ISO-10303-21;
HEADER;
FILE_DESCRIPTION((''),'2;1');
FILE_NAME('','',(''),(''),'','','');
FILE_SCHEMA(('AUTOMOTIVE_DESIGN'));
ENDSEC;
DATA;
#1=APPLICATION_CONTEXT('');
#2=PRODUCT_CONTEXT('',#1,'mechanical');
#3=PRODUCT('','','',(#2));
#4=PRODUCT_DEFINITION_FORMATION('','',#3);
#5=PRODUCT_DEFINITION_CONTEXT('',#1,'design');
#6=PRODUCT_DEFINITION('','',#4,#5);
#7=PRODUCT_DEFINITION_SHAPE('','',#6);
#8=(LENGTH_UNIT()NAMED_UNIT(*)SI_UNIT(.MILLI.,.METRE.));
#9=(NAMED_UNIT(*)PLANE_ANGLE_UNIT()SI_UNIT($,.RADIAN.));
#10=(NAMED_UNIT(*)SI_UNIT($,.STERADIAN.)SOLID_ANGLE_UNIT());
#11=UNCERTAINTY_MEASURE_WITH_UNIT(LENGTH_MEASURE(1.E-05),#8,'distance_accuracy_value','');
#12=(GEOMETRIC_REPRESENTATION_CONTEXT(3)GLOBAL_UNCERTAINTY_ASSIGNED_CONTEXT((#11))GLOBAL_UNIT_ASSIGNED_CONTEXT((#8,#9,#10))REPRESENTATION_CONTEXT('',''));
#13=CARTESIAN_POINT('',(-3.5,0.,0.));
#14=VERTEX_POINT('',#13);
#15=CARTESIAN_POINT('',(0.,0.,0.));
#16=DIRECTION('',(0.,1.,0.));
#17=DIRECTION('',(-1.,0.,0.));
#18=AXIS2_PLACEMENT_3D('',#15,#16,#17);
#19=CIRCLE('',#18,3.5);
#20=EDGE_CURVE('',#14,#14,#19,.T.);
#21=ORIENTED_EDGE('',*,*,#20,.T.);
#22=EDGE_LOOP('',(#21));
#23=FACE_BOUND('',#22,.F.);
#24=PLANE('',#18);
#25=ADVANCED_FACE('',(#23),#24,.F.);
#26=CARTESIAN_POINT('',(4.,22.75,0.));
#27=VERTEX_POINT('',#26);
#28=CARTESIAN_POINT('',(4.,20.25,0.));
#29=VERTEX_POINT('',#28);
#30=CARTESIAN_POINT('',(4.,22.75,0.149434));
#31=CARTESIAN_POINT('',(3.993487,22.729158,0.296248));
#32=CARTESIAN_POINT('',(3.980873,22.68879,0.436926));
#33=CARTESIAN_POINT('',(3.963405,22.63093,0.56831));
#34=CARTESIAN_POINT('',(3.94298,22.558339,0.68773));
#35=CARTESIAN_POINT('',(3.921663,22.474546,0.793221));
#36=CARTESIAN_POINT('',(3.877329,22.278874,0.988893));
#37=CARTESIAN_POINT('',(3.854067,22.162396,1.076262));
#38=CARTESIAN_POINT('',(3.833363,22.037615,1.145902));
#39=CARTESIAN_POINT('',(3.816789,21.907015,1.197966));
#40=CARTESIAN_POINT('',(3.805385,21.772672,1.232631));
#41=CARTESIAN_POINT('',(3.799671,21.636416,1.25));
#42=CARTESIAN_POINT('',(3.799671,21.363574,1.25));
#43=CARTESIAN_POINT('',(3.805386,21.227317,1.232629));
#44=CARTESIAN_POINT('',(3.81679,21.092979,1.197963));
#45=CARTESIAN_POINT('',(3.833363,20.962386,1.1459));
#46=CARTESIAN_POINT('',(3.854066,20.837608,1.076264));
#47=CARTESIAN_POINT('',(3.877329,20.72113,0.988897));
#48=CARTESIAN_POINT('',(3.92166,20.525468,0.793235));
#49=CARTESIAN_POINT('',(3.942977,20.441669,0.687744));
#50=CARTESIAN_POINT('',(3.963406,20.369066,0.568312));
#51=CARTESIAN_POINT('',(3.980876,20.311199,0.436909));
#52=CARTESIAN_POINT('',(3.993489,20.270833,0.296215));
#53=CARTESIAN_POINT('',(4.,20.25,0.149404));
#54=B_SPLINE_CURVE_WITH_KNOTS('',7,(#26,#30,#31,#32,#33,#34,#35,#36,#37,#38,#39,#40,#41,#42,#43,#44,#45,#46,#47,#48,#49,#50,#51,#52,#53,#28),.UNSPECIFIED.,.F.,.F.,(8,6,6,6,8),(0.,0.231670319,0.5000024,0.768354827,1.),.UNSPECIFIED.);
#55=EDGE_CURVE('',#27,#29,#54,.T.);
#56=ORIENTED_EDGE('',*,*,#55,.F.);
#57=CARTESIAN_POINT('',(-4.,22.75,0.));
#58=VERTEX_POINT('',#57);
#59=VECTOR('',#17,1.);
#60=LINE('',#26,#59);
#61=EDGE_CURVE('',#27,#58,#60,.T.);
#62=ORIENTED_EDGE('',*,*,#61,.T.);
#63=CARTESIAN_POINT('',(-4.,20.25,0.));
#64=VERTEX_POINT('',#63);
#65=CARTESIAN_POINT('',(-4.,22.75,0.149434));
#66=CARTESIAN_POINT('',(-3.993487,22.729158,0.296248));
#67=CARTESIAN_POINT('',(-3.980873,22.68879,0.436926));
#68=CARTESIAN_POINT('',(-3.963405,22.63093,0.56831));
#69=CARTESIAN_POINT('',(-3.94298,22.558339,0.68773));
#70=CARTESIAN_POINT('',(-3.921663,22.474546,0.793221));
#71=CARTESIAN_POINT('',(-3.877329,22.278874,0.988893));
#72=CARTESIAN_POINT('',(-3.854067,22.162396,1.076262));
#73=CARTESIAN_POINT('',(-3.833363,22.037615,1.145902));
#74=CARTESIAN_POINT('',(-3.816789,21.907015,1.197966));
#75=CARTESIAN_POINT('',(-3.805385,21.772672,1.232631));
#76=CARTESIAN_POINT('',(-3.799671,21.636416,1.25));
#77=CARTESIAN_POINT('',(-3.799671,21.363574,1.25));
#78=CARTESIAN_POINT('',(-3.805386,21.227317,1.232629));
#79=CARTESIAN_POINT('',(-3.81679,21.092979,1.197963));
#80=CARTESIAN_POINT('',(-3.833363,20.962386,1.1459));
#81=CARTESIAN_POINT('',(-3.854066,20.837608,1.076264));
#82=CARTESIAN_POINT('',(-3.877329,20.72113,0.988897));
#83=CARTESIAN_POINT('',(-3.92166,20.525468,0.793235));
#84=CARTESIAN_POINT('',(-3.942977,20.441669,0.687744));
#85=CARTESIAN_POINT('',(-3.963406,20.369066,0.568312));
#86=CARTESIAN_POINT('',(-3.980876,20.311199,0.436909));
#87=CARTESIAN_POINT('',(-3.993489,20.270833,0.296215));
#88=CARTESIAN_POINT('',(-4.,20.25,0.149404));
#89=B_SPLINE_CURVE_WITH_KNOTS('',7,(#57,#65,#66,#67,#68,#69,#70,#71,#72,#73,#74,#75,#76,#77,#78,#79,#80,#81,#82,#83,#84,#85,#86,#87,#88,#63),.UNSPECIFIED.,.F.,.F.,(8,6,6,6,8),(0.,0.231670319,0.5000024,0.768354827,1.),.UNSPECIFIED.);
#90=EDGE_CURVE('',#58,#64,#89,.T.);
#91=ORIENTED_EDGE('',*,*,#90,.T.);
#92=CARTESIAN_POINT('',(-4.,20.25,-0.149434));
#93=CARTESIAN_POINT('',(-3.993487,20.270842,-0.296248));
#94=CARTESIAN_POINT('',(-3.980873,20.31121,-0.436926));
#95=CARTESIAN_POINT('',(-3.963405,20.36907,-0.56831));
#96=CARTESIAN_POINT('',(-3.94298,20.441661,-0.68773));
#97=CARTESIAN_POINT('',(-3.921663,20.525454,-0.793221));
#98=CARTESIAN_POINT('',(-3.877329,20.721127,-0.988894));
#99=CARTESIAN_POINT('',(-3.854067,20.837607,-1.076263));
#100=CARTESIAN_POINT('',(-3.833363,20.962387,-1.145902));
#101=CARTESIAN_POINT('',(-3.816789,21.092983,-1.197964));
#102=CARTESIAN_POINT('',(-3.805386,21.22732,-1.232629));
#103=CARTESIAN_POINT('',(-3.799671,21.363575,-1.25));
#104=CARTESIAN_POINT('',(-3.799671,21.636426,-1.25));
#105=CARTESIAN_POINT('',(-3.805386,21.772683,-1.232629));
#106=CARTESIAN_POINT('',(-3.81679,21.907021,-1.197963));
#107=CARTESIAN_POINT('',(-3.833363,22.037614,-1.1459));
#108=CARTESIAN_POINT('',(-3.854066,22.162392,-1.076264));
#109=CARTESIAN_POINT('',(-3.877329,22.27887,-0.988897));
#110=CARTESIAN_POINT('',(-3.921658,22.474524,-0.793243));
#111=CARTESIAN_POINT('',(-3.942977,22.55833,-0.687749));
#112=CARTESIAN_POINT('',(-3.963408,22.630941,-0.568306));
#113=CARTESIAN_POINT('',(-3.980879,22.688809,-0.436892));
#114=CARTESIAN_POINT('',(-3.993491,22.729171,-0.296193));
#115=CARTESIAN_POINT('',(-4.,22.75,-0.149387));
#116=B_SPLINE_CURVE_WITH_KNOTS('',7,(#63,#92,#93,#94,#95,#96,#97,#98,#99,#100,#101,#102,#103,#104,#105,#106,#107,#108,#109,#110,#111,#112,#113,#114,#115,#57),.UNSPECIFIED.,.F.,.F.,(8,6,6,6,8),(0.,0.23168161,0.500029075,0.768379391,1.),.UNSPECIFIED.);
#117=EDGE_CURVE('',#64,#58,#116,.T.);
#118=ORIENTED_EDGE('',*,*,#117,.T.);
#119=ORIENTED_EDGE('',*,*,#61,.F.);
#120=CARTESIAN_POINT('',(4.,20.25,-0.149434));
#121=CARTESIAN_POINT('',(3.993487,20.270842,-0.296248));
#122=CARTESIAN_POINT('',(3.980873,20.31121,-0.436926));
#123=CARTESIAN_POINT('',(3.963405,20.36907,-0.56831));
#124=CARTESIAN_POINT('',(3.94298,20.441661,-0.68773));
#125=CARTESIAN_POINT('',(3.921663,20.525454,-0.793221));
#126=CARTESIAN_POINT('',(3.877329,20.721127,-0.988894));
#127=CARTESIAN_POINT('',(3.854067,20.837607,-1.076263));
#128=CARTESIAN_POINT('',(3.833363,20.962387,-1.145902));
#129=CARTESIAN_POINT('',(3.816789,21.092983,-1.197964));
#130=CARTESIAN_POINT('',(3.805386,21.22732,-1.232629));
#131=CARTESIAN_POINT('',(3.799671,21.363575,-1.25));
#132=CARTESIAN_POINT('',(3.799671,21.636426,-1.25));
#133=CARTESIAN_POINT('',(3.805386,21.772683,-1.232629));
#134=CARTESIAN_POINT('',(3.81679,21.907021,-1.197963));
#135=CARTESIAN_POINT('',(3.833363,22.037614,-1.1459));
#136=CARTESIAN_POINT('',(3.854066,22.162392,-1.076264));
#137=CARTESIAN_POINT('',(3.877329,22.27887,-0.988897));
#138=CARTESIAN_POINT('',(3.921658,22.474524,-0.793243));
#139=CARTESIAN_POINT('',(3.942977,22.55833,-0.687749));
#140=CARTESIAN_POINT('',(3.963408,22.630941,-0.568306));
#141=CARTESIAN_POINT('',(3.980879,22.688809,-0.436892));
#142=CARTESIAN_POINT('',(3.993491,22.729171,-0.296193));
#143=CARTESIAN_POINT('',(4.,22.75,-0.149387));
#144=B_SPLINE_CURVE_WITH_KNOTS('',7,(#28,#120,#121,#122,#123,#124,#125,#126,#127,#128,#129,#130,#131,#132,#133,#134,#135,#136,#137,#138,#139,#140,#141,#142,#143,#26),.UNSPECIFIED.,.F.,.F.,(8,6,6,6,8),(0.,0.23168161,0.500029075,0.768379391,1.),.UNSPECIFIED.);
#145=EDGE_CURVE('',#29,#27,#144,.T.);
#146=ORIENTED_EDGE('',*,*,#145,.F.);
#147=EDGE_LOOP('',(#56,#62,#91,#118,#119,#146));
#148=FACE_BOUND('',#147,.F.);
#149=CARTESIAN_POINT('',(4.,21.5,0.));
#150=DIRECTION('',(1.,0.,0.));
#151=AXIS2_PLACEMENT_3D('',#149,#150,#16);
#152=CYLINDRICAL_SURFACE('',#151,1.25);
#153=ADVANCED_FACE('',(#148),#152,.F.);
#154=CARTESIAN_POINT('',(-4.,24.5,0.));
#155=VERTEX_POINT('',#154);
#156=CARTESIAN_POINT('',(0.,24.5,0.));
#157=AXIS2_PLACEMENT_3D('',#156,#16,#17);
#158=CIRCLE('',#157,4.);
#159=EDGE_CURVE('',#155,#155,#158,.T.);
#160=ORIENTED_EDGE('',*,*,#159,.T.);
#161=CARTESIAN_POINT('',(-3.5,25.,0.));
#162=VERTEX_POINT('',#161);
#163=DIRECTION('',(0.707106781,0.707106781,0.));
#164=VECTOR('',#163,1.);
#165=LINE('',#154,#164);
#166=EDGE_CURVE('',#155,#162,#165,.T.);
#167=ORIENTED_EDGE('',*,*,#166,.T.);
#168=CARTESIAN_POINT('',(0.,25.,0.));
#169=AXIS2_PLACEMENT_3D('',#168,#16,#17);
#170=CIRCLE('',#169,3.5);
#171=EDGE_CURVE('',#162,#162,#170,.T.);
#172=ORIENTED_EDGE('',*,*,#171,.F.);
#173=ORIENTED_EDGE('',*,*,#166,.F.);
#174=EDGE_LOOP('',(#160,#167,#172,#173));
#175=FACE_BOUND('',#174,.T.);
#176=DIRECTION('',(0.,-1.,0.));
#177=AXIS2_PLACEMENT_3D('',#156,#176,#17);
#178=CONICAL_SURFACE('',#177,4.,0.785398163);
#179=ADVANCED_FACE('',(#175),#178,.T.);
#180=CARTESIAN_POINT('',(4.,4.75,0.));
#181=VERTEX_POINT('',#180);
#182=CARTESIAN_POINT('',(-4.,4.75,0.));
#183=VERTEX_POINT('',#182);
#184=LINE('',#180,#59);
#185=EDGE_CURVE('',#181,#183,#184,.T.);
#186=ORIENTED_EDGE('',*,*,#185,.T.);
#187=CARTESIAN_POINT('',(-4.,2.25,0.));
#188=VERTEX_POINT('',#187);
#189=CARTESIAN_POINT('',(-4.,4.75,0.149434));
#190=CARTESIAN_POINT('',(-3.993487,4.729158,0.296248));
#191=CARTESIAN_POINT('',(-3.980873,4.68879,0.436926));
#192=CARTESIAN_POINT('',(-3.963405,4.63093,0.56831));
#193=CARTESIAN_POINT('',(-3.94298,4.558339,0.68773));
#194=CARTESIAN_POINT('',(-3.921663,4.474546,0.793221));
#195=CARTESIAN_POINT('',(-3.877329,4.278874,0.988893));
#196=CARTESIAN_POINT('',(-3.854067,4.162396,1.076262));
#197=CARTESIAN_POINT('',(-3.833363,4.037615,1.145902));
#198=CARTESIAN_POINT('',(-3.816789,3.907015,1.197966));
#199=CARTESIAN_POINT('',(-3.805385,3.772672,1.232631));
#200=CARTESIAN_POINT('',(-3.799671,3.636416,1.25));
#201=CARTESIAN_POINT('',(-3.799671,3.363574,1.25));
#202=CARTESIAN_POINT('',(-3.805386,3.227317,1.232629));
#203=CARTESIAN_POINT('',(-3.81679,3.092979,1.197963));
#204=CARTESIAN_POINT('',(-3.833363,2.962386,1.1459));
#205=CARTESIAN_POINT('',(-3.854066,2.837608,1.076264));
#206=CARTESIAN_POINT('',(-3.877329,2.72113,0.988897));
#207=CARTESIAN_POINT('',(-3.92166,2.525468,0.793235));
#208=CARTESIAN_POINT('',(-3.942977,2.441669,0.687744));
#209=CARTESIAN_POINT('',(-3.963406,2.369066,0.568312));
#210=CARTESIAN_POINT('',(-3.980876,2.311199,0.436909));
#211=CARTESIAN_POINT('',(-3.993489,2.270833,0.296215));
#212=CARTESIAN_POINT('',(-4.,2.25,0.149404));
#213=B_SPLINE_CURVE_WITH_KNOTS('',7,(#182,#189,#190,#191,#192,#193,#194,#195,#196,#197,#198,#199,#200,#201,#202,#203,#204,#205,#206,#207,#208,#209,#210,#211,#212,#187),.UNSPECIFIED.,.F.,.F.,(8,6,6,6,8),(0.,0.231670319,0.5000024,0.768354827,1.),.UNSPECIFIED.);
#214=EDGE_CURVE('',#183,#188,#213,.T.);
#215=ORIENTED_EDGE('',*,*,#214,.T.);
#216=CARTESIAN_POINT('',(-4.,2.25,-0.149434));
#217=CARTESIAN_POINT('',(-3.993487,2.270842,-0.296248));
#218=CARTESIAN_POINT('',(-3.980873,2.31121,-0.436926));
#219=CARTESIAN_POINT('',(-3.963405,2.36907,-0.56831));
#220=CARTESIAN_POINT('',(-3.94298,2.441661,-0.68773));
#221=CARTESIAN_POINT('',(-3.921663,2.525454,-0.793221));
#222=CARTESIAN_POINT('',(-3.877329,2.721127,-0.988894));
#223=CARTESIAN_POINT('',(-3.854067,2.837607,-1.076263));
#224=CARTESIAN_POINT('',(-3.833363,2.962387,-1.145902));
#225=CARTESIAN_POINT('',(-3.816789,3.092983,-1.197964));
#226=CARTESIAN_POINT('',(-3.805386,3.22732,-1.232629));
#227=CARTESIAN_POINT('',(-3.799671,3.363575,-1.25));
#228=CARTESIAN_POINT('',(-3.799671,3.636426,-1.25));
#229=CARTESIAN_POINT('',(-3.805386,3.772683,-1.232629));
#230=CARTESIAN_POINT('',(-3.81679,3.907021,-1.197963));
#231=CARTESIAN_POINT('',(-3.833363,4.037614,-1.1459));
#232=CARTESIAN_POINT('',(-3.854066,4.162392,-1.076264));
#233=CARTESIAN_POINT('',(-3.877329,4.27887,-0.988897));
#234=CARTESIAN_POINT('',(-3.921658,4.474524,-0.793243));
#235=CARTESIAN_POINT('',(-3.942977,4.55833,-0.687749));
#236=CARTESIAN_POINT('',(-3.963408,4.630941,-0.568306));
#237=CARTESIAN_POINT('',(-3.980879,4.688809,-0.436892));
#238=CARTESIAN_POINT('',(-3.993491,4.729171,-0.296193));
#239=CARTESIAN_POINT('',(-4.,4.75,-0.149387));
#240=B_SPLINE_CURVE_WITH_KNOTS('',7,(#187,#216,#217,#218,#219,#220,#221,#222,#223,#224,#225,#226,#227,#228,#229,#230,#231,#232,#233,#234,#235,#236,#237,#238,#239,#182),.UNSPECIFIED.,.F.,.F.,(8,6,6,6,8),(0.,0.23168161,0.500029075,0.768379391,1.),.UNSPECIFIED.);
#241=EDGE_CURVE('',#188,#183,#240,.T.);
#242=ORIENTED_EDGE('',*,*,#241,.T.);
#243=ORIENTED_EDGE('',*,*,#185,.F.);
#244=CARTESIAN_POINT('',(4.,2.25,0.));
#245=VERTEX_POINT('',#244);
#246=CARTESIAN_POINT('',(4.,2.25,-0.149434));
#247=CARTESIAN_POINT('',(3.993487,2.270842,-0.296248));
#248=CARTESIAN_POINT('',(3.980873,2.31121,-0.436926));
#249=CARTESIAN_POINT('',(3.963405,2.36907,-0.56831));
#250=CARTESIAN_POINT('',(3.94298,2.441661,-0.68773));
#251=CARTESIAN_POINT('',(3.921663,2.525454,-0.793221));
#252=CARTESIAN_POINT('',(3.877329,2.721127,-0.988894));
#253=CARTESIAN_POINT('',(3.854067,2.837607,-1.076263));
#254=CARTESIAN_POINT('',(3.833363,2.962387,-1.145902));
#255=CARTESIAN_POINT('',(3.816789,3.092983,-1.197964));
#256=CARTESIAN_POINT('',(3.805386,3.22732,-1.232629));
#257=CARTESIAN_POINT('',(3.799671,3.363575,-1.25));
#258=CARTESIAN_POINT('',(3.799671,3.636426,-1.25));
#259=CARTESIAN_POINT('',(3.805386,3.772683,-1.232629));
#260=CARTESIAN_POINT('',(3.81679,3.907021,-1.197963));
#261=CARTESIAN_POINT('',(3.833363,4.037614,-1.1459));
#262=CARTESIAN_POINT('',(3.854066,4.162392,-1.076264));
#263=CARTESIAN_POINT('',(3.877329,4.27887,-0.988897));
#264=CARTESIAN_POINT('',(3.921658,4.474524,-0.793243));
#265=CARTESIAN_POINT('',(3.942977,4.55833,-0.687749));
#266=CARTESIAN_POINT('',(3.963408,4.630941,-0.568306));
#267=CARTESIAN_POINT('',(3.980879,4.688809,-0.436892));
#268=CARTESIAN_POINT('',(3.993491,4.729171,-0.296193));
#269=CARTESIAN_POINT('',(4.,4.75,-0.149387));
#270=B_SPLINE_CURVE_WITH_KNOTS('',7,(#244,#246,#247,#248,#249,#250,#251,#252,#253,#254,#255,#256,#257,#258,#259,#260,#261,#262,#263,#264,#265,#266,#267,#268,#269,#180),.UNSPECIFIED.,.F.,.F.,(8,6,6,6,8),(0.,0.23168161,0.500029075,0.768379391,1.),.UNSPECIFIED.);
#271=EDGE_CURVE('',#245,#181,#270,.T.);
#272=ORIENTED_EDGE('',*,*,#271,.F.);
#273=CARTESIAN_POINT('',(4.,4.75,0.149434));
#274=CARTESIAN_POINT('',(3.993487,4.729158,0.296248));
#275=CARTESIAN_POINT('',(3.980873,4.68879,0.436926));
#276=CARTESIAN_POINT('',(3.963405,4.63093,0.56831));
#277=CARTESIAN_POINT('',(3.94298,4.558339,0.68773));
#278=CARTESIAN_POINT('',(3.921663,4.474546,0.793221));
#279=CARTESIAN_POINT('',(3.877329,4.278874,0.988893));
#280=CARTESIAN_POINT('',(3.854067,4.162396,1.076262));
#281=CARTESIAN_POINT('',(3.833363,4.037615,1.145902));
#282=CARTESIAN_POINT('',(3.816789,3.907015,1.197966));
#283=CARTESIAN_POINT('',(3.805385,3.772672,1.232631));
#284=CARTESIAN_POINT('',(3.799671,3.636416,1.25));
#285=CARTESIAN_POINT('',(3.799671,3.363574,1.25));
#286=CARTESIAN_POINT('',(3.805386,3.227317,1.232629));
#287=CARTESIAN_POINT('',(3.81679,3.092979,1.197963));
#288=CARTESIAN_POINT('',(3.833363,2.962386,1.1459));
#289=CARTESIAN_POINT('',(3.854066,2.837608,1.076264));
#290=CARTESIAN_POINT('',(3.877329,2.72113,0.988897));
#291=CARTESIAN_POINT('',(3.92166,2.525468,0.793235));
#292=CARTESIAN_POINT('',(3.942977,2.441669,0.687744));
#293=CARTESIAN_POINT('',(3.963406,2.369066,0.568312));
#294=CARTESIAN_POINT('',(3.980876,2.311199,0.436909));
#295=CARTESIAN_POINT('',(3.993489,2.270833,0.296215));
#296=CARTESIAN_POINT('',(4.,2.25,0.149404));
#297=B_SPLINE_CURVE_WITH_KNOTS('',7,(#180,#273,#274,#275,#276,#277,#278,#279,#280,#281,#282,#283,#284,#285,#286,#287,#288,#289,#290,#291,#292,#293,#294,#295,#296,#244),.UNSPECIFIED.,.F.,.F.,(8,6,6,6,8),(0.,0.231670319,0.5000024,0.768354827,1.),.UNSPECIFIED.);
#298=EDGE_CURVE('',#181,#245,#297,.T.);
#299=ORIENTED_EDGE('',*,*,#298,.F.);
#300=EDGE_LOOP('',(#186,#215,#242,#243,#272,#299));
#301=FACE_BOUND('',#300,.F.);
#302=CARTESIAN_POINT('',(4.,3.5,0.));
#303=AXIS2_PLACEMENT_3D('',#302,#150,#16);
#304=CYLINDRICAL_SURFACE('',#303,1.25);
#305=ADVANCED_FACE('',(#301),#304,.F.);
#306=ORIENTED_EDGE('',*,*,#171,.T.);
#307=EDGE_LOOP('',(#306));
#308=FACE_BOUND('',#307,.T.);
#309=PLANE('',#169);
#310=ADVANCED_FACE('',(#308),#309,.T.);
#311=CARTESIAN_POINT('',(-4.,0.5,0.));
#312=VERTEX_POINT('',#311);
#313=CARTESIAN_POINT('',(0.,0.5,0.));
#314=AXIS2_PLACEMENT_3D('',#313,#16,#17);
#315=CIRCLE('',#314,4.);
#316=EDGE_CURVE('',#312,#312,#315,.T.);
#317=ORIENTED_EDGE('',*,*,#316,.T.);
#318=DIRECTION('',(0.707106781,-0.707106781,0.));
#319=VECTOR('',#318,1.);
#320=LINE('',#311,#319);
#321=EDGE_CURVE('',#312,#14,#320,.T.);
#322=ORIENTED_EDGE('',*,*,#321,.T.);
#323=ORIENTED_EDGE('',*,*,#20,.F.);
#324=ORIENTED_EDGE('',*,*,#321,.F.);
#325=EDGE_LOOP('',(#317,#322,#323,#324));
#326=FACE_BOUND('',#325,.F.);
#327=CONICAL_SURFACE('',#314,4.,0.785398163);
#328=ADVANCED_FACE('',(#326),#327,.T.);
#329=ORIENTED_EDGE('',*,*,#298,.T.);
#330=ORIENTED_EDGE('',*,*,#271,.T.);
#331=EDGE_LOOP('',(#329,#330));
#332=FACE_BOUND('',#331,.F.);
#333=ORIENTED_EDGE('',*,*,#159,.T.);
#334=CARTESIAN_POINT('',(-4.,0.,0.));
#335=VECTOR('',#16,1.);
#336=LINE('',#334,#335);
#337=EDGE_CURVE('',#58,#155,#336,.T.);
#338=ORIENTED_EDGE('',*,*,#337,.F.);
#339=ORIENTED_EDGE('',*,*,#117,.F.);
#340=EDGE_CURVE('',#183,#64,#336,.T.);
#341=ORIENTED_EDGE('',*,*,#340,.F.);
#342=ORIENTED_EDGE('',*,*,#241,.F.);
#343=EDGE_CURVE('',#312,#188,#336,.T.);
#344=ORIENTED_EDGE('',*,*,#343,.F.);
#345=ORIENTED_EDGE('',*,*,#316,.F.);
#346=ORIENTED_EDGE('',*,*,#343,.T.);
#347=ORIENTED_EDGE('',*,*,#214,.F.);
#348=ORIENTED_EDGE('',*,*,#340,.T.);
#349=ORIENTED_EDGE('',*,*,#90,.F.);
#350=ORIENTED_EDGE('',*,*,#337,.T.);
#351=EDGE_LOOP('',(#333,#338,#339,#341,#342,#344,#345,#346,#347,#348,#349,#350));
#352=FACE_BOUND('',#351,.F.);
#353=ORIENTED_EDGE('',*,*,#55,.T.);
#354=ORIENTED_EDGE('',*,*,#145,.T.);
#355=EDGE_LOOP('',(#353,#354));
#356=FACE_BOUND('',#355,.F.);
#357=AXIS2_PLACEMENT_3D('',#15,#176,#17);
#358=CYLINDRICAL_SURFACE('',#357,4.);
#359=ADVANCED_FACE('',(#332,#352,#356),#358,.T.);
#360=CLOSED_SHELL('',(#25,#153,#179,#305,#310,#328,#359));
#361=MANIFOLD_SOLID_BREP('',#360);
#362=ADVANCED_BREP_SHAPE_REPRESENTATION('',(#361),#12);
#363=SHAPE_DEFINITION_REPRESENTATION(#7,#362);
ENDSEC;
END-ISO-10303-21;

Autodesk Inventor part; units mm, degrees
ref_plane "XZ Plane" through (0, 0, 0) normal (0, 1, 0) x (-1, 0, 0)
ref_plane "XY Plane" through (0, 0, 0) normal (0, 0, 1) x (1, 0, 0)
sketch "Sketch2" plane through (0, 0, 0) normal (0, 1, 0) x (-1, 0, 0)
  circle A0 centre (0, 0) radius 4
  dimension "d6" = 8
extrude "Extrusion1" add sketch "Sketch2" along normal blind 25
chamfer "Chamfer1" distance 0.5 angle 45 1 edges at (4, 25, 0)
chamfer "Chamfer2" distance 0.5 angle 45 1 edges at (4, 0, 0)
ref_plane "Work Plane1" through (4, 0, 0) normal (1, 0, 0) x (0, 1, 0)
sketch "Sketch3" plane through (4, 0, 0) normal (1, 0, 0) x (0, 1, 0)
  circle A0 centre (3.5, 0) radius 1.25
  circle A1 centre (21.5, 0) radius 1.25
  line L0 (0, -3.5) -> (0, 3.5) construction
  line L1 (2.25, 0) -> (1.3552, 0) construction
  line L2 (22.75, 0) -> (24.5, 0) construction
  line L3 (24.5, -4) -> (24.5, 4) construction
  point P0 (0, 0)
  dimension "d15" = 2.5
  dimension "d16" = 2.5
  dimension "d17" = 18
  dimension "d19" = 3.5
extrude "Extrusion2" cut sketch "Sketch3" against normal blind 25
properties part number "reverse gear crankshaft center rod"
